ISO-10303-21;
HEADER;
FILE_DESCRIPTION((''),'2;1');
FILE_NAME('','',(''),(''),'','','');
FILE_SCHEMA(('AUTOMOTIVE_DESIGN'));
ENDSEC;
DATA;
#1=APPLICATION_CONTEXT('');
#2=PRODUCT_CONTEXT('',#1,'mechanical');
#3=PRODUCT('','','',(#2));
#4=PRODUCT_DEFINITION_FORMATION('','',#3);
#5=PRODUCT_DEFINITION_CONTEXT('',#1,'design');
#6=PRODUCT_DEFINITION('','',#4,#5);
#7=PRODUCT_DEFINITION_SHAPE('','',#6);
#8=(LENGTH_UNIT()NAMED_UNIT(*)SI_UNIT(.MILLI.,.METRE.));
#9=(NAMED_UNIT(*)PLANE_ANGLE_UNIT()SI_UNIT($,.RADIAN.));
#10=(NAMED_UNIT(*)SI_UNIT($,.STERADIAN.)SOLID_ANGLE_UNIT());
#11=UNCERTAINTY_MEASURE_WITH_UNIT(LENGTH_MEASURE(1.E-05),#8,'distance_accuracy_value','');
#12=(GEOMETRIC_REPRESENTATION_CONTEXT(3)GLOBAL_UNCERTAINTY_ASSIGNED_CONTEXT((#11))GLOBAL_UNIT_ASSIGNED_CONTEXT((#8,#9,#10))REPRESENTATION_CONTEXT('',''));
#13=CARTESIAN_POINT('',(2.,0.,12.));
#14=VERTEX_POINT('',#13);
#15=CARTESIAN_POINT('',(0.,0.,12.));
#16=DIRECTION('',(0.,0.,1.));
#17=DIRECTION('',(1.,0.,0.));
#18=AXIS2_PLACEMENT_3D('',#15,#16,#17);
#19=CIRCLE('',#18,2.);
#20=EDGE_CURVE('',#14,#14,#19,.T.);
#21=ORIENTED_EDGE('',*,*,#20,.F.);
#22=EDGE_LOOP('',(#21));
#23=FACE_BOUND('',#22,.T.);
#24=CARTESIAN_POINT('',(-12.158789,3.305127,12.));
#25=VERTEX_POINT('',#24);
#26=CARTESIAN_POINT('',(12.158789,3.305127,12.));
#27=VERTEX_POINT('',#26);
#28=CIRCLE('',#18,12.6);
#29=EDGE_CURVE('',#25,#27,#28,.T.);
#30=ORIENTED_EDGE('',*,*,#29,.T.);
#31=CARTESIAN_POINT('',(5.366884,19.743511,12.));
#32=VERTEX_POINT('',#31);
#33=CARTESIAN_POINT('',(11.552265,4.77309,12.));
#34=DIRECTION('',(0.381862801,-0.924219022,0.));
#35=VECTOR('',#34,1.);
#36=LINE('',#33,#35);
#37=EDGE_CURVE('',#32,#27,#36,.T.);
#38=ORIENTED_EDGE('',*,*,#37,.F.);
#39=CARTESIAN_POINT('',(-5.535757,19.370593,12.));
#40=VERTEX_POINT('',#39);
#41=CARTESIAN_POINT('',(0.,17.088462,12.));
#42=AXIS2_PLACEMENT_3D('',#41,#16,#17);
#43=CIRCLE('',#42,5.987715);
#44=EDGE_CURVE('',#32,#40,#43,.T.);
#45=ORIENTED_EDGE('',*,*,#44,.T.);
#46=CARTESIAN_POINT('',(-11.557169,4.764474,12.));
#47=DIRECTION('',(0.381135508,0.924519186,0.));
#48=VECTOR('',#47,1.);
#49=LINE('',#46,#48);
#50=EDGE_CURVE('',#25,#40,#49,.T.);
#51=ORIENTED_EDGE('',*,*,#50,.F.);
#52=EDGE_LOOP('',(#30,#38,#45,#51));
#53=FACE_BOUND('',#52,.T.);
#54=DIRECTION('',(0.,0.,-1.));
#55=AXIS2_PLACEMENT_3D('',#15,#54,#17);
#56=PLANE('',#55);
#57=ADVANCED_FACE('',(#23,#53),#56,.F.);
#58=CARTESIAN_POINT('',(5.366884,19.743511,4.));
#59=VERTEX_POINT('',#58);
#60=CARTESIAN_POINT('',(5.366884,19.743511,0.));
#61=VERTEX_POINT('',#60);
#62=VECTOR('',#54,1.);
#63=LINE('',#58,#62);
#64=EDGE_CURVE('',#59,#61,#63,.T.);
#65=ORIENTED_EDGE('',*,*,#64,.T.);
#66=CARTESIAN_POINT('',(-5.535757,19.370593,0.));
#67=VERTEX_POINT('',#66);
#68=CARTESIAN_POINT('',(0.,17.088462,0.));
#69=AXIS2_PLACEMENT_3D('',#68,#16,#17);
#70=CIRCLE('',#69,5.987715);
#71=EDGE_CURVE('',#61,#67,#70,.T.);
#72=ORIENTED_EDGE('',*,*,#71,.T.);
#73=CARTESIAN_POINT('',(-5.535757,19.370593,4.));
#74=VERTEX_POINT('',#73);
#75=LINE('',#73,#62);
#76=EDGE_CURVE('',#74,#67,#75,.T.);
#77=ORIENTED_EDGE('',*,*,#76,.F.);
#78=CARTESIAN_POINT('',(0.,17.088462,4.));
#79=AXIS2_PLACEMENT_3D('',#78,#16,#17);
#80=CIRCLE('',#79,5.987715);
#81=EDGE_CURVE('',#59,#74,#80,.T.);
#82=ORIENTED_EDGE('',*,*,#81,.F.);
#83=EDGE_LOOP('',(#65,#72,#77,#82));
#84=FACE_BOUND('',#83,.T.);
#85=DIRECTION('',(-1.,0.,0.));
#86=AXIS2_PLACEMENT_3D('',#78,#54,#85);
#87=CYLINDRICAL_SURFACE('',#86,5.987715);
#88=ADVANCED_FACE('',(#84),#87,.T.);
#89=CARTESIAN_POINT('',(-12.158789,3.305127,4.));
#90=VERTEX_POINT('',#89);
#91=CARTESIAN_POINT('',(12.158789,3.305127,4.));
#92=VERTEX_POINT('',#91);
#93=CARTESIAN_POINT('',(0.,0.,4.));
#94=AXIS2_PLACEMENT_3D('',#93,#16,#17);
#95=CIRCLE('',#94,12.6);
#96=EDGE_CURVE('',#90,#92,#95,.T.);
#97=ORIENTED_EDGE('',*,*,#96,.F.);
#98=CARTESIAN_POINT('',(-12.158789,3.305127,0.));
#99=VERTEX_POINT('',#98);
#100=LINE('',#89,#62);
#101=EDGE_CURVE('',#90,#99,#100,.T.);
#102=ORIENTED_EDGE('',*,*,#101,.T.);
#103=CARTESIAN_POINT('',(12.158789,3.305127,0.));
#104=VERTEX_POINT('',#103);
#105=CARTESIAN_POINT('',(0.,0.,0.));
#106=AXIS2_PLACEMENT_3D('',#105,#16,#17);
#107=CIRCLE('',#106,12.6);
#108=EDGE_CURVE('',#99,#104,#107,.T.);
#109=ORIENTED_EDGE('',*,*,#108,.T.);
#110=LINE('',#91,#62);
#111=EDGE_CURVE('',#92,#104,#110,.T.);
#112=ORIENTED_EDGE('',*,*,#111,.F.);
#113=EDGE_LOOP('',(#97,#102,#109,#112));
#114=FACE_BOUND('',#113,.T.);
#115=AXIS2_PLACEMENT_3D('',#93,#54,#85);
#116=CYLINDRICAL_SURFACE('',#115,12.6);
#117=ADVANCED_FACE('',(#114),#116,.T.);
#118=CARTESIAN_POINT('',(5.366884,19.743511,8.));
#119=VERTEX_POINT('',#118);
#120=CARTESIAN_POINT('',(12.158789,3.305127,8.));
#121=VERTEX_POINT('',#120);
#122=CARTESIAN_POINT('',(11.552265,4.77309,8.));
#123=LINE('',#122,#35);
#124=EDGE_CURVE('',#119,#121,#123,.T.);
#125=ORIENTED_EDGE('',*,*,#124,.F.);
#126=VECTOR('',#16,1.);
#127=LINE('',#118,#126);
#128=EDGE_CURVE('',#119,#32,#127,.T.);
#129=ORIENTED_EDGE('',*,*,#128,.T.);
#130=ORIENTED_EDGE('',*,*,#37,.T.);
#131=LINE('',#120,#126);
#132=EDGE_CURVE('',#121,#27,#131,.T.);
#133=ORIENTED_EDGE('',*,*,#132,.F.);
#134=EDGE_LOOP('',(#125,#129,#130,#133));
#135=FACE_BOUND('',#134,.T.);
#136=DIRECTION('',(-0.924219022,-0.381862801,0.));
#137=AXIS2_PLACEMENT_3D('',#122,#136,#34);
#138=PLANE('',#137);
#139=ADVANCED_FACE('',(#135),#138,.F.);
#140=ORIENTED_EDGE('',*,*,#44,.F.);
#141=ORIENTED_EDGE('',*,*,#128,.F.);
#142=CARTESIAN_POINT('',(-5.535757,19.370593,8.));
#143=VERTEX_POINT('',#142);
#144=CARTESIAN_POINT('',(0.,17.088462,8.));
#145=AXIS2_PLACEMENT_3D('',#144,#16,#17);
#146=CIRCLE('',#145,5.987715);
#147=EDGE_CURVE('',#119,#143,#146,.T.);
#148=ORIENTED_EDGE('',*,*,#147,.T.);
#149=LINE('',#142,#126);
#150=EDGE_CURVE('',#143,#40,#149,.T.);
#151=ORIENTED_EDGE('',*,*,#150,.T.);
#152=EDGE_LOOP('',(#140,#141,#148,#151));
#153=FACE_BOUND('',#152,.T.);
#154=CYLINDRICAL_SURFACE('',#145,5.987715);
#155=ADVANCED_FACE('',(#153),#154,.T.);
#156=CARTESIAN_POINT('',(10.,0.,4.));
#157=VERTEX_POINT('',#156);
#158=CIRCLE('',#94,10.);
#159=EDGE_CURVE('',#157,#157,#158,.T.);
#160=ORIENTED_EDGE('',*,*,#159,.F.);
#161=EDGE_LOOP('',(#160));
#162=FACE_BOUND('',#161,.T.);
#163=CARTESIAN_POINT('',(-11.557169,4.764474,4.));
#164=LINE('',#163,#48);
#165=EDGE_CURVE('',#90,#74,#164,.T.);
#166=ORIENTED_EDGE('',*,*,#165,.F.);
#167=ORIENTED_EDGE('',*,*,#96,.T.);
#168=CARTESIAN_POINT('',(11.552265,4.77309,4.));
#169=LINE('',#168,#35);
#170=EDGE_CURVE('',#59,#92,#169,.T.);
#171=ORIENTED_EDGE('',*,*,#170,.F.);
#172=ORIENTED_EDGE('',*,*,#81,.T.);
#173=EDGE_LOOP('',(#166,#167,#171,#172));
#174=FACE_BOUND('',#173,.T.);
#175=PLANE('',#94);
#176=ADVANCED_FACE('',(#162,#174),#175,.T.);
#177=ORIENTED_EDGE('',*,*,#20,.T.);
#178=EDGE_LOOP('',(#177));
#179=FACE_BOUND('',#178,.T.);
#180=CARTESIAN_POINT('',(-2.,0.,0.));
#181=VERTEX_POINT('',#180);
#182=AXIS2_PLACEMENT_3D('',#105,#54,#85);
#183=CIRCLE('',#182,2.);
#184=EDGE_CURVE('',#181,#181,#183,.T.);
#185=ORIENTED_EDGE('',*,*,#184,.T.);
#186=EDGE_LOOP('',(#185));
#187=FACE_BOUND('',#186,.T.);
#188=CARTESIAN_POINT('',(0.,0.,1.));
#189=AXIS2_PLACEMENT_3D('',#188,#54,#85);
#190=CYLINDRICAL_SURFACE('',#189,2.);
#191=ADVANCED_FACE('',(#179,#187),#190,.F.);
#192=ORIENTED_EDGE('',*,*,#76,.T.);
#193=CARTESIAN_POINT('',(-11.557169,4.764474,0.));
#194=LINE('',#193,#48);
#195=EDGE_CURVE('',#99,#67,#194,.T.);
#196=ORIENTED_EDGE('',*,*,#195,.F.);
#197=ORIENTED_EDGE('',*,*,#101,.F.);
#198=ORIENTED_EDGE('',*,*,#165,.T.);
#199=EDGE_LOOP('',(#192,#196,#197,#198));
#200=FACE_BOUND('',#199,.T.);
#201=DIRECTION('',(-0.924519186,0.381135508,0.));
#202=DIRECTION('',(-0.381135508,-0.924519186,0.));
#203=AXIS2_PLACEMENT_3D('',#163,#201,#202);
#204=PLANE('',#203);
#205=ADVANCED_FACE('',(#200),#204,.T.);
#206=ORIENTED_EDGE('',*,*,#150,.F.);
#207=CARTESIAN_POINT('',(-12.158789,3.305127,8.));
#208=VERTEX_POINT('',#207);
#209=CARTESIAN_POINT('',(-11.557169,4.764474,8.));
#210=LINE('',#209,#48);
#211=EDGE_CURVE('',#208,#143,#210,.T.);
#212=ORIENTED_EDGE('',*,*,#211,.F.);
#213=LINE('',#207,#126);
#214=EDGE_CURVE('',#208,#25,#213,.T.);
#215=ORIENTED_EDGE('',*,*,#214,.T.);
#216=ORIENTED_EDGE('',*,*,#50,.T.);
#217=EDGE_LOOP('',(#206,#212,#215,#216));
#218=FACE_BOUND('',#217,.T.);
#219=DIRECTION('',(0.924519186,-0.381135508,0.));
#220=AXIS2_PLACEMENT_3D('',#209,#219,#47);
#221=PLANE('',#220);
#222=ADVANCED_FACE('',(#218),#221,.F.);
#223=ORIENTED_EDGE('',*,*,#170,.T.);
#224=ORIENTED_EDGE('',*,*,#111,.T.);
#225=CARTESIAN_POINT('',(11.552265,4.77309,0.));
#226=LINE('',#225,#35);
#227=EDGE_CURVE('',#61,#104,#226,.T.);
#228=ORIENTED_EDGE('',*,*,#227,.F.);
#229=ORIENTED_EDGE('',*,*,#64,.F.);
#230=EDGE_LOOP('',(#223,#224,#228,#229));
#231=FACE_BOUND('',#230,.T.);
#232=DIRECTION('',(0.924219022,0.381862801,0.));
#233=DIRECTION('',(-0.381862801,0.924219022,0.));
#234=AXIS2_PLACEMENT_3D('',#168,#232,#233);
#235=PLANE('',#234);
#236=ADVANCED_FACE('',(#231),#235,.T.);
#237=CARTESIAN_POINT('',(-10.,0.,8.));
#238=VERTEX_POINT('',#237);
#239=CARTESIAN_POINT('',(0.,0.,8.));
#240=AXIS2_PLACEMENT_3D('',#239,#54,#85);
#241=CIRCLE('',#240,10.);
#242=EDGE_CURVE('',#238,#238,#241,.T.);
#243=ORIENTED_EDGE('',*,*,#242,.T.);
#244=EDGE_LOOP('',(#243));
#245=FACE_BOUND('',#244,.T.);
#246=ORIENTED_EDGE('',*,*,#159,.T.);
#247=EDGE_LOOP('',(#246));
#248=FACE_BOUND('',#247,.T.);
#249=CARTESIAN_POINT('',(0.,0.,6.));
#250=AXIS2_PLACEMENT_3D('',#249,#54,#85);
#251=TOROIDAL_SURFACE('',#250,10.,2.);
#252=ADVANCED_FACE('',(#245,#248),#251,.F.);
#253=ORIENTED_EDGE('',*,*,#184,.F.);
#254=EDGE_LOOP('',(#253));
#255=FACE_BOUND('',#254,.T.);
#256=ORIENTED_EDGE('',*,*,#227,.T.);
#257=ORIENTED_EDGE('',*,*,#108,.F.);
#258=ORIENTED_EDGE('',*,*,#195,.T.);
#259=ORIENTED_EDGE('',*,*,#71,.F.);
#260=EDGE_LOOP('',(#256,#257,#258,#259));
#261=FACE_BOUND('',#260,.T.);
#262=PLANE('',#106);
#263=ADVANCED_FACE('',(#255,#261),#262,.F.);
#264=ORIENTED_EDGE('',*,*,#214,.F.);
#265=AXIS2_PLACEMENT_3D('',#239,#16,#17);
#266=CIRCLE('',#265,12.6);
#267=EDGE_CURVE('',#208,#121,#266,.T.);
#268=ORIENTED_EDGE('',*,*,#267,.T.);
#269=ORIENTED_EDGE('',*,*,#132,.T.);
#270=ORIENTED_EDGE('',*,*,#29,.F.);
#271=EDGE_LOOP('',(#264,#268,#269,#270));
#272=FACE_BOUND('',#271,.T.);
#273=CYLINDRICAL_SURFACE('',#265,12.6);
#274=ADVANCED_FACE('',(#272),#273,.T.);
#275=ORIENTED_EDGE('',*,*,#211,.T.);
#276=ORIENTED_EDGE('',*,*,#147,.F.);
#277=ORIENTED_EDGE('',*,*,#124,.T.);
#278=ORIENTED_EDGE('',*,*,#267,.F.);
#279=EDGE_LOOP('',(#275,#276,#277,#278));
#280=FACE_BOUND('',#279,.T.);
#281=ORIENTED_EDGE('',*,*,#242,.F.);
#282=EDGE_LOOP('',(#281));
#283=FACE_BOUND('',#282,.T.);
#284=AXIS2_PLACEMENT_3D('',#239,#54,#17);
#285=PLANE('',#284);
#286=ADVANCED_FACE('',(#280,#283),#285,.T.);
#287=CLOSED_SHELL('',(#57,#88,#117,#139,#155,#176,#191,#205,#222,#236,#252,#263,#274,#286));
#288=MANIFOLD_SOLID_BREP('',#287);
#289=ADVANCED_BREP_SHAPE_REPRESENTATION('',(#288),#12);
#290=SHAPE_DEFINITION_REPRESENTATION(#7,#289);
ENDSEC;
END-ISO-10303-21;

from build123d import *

# Parameters (mm, degrees)
EXTRUDE_1_DEPTH     = 4
SKETCH_2_R          = 8
EXTRUDE_2_DEPTH     = 4
SKETCH_12_W         = 4
SKETCH_12_H         = 2
SKETCH_13_R         = 2
SKETCH_14_R         = 2
CUT_EXTRUDE_1_DEPTH = 1
SKETCH_15_R         = 2
CUT_EXTRUDE_2_DEPTH = 13


with BuildPart() as part:
    # 草图1 → 凸台-拉伸1 (new body)
    with BuildSketch(Plane.XY):
        with BuildLine():
            ThreePointArc((-12.158788541, 3.305126504), (0, -12.6), (12.158788541, 3.305126504))
            Line((12.158788541, 3.305126504), (5.366883622, 19.743511481))
            ThreePointArc((5.366883622, 19.743511481), (-0.204686635, 23.072677305), (-5.535757021, 19.370592925))
            Line((-5.535757021, 19.370592925), (-12.158788541, 3.305126504))
        make_face()
    extrude_1 = extrude(amount=EXTRUDE_1_DEPTH)

    # 草图2 → 凸台-拉伸2 (add)
    with BuildSketch(Plane.XY.offset(4)):
        Circle(SKETCH_2_R)
    extrude(amount=EXTRUDE_2_DEPTH)

    # 镜向1: 凸台-拉伸1 across plane
    add(extrude_1.mirror(Plane.XY.offset(6)))

    # 草图12 → 旋转3 (revolve)
    with BuildSketch(Plane(origin=(0, 0, 0), x_dir=(0, 0, -1), z_dir=(1, 0, 0))):
        with Locations((-6, 9)):
            Rectangle(SKETCH_12_W, SKETCH_12_H)
    revolve(axis=Axis((0, 0, -2.657619659), (0, 0, 1)))

    # 草图13 → 切除-旋转1 (revolve, cut)
    with BuildSketch(Plane(origin=(0, 0, 0), x_dir=(0, 0, -1), z_dir=(1, 0, 0))):
        with Locations((-6, 10)):
            Circle(SKETCH_13_R)
    revolve(axis=Axis((0, 0, -2.657619659), (0, 0, 1)), mode=Mode.SUBTRACT)

    # 草图14 → 切除-拉伸1 (cut)
    with BuildSketch(Plane(origin=(0, 0, 0), x_dir=(-1, 0, 0), z_dir=(0, 0, -1))):
        Circle(SKETCH_14_R)
    extrude(amount=-CUT_EXTRUDE_1_DEPTH, mode=Mode.SUBTRACT)

    # 草图15 → 切除-拉伸2 (cut, through all)
    with BuildSketch(Plane.XY.offset(12)):
        Circle(SKETCH_15_R)
    extrude(amount=-CUT_EXTRUDE_2_DEPTH, mode=Mode.SUBTRACT)


solid = part.part
